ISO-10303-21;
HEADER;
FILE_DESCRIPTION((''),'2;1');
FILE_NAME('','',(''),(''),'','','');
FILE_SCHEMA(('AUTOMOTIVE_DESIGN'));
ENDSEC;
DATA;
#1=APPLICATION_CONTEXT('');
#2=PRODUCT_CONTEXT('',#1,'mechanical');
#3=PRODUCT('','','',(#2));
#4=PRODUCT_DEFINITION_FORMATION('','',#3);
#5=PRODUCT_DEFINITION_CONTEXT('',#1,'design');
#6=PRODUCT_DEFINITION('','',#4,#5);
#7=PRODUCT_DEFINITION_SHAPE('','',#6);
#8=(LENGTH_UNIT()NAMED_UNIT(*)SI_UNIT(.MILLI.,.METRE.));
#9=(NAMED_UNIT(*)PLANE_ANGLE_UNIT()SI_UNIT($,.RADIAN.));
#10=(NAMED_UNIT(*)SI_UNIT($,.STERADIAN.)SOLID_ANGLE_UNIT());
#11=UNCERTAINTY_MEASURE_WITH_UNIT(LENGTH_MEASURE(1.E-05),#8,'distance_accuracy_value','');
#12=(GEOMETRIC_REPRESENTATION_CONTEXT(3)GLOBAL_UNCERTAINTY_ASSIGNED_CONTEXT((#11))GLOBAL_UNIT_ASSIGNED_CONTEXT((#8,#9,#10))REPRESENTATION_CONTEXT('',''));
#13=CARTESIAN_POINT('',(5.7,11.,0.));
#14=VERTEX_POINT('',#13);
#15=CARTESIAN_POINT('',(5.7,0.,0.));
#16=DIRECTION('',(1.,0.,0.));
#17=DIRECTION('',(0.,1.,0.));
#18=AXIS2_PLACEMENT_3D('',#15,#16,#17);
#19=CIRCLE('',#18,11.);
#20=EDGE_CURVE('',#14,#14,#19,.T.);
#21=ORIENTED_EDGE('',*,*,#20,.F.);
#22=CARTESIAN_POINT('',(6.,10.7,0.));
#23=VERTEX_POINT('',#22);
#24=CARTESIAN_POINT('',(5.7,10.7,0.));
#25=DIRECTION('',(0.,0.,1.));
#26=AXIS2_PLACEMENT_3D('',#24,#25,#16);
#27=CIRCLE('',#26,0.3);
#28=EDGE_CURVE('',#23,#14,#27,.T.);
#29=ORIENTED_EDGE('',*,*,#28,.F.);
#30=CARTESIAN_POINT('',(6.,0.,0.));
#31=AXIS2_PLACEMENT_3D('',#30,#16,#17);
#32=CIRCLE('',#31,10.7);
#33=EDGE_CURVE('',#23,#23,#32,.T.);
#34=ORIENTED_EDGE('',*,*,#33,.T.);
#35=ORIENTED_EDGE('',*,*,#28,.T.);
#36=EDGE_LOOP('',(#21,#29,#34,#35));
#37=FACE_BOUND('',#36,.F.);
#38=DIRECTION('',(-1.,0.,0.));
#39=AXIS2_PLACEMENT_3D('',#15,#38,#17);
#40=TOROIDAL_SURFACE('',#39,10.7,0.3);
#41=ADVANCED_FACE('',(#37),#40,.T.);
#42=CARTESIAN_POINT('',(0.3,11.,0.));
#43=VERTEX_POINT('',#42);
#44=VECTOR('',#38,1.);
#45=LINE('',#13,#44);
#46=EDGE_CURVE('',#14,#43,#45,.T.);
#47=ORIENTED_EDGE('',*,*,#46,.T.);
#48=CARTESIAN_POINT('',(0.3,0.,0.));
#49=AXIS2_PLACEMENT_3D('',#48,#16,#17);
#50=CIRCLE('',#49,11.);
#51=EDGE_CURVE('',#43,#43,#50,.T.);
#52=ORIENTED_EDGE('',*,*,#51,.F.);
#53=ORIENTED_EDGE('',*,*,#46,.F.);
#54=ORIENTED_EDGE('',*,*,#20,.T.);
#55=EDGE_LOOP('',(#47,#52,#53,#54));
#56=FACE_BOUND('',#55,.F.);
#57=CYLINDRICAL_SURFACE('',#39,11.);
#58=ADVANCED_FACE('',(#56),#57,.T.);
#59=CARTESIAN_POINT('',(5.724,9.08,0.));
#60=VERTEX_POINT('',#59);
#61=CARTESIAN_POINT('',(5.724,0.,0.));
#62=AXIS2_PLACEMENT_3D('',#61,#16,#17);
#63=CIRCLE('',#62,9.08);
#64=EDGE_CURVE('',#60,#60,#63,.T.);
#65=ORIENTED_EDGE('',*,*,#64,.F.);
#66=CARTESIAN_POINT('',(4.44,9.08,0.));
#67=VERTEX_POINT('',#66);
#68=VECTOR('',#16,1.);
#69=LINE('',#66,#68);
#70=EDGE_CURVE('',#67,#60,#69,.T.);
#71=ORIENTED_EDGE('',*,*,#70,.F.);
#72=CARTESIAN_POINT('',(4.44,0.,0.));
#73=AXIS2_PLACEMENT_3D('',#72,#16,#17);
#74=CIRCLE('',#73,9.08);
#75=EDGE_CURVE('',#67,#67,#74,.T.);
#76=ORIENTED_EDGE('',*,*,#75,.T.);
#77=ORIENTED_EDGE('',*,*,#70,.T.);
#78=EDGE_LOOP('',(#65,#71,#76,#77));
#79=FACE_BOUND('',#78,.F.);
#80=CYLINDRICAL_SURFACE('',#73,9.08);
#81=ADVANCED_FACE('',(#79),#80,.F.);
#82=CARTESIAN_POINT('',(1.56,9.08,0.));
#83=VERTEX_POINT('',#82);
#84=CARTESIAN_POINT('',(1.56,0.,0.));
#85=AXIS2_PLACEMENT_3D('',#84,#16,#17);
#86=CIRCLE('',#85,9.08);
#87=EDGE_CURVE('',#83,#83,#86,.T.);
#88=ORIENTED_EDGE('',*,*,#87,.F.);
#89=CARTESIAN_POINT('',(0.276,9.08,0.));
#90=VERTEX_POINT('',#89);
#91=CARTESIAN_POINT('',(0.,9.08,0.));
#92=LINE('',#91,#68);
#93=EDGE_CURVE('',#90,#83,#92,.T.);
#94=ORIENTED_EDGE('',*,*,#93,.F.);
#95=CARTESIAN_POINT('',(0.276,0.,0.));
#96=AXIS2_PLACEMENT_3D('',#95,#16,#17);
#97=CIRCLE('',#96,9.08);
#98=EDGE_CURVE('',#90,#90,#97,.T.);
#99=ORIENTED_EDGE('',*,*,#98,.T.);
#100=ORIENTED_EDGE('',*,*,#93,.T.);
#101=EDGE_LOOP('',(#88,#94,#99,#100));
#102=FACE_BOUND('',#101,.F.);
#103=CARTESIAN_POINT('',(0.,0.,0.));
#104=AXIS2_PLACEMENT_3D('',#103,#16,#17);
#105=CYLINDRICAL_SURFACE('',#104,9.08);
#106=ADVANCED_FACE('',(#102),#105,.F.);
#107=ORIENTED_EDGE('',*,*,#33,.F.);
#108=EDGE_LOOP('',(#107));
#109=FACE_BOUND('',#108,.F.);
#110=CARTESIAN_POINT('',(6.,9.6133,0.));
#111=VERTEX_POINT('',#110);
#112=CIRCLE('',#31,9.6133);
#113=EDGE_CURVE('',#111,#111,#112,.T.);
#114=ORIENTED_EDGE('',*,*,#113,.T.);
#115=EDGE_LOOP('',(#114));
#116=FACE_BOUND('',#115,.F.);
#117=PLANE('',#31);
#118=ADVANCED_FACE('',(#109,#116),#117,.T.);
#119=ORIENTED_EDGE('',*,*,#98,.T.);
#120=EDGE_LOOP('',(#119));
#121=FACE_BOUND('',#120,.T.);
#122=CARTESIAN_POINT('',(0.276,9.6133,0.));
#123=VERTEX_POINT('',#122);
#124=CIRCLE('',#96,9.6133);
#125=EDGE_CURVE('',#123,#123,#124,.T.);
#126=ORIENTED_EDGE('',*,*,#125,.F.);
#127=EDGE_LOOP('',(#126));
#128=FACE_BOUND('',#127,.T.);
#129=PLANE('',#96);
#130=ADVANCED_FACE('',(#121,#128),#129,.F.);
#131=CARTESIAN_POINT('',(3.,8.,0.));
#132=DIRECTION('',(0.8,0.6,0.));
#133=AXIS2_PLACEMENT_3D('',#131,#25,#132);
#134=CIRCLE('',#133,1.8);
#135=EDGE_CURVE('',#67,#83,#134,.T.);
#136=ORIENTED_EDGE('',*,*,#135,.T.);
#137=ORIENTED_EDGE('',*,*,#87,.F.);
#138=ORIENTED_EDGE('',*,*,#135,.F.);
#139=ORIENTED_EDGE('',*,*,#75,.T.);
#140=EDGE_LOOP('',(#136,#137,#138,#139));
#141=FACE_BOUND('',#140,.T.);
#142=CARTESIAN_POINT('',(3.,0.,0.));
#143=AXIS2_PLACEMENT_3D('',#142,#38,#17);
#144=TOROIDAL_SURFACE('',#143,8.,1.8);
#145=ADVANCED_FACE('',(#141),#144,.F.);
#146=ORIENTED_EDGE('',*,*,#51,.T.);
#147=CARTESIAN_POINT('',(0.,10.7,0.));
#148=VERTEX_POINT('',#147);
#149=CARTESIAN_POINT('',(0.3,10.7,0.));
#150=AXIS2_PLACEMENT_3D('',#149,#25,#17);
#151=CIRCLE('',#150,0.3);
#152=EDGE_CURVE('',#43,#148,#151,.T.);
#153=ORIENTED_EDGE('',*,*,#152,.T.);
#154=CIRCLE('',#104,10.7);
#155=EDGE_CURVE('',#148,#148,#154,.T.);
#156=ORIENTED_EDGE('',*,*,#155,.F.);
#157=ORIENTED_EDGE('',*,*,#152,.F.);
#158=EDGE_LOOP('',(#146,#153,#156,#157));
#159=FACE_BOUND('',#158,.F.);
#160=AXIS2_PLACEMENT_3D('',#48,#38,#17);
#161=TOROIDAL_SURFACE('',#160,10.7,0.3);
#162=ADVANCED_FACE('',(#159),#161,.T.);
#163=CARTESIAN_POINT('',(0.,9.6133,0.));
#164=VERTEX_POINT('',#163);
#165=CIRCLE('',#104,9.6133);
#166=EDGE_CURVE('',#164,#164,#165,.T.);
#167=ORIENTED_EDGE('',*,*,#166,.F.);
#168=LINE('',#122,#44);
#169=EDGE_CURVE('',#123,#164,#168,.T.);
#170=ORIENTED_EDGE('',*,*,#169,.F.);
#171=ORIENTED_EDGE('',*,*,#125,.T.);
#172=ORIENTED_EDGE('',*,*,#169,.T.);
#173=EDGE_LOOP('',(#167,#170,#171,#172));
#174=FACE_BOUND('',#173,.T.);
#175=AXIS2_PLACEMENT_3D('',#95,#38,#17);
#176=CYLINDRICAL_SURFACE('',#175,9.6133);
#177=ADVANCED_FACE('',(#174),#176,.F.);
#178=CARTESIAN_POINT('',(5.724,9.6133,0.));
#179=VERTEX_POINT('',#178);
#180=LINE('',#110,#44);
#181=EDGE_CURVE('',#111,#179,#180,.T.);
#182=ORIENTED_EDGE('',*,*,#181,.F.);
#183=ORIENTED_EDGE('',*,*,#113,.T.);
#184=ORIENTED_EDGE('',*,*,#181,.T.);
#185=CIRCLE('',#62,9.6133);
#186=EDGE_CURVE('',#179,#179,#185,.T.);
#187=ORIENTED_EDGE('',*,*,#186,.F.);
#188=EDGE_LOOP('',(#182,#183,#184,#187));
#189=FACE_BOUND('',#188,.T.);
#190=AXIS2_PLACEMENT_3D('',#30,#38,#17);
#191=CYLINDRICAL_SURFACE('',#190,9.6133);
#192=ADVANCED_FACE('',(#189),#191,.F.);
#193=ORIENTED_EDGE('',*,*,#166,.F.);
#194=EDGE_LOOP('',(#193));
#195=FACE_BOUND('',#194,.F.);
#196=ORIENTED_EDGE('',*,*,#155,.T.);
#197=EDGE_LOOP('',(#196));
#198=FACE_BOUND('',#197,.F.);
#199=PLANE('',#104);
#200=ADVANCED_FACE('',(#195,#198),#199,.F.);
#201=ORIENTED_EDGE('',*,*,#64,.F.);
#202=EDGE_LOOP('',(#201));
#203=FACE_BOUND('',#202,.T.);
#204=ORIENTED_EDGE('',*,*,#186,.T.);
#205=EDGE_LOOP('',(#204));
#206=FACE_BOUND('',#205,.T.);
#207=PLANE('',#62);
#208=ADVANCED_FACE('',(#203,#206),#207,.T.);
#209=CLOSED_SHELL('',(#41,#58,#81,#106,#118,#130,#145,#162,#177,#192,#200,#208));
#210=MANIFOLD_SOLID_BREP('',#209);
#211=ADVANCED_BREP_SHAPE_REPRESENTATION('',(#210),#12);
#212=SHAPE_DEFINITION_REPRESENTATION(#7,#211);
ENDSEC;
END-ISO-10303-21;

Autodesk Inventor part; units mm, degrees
sketch "Sketch_1" plane through (0, 0, 0) normal (0, 0, 1) x (1, 0, 0)
  line L0 (6, 0) -> (0, 0)
  line L1 (0, 9.08) -> (1.56, 9.08)
  arc A0 (4.44, 9.08) -> (1.56, 9.08) centre (3, 8) ccw
  line L2 (4.44, 9.08) -> (6, 9.08)
  line L3 (6, 9.08) -> (6, 10.7)
  arc A1 (6, 10.7) -> (5.7, 11) centre (5.7, 10.7) ccw
  line L4 (5.7, 11) -> (0.3, 11)
  arc A2 (0.3, 11) -> (0, 10.7) centre (0.3, 10.7) ccw
  line L5 (0, 10.7) -> (0, 9.08)
revolve "Revolution1" add sketch "Sketch_1" angle 360 about axis through (6, 0, 0) along (1, 0, 0)
sketch "Sketch_4" plane through (0, 0, 0) normal (0, 0, 1) x (1, 0, 0)
  line L0 (6, 0) -> (0, 0)
  line L1 (0, 9.6133) -> (0, 8)
  line L2 (0, 8) -> (6, 8)
  line L3 (6, 8) -> (6, 9.6133)
  line L4 (6, 9.6133) -> (5.724, 9.6133)
  line L5 (5.724, 9.6133) -> (5.724, 8.9)
  line L6 (5.724, 8.9) -> (0.276, 8.9)
  line L7 (0.276, 8.9) -> (0.276, 9.6133)
  line L8 (0.276, 9.6133) -> (0, 9.6133)
revolve "Revolution2" cut sketch "Sketch_4" angle 360 about axis through (6, 0, 0) along (1, 0, 0)
ref_plane "dgbb_or_XY" through (0, 0, 0) normal (1, 0, 0) x (0, 0, -1)
ref_plane "dgbb_or_YZ" through (0, 0, 0) normal (0, 0, -1) x (0, 1, 0)
ref_plane "dgbb_or_ZX" through (0, 0, 0) normal (0, 1, 0) x (1, 0, 0)
ref_plane "dgbb_or1_XY" through (6, 0, 0) normal (1, 0, 0) x (0, 0, -1)
ref_plane "dgbb_or1_YZ" through (6, 0, 0) normal (0, 0, -1) x (0, 1, 0)
ref_plane "dgbb_or1_ZX" through (6, 0, 0) normal (0, 1, 0) x (1, 0, 0)
ref_plane "dgbb_or11_1_XY" through (3, 8, 0) normal (1, 0, 0) x (0, 0, -1)
ref_plane "dgbb_or11_1_YZ" through (3, 8, 0) normal (0, 0, -1) x (0, 1, 0)
ref_plane "dgbb_or11_1_ZX" through (3, 8, 0) normal (0, 1, 0) x (1, 0, 0)
ref_plane "dgbb_or11_2_XY" through (3, 5.6569, 5.6569) normal (1, 0, 0) x (0, 0, -1)
ref_plane "dgbb_or11_2_YZ" through (3, 5.6569, 5.6569) normal (0, 0, -1) x (0, 1, 0)
ref_plane "dgbb_or11_2_ZX" through (3, 5.6569, 5.6569) normal (0, 1, 0) x (1, 0, 0)
ref_plane "dgbb_or11_3_XY" through (3, 0, 8) normal (1, 0, 0) x (0, 0, -1)
ref_plane "dgbb_or11_3_YZ" through (3, 0, 8) normal (0, 0, -1) x (0, 1, 0)
ref_plane "dgbb_or11_3_ZX" through (3, 0, 8) normal (0, 1, 0) x (1, 0, 0)
ref_plane "dgbb_or11_4_XY" through (3, -5.6569, 5.6569) normal (1, 0, 0) x (0, 0, -1)
ref_plane "dgbb_or11_4_YZ" through (3, -5.6569, 5.6569) normal (0, 0, -1) x (0, 1, 0)
ref_plane "dgbb_or11_4_ZX" through (3, -5.6569, 5.6569) normal (0, 1, 0) x (1, 0, 0)
ref_plane "dgbb_or11_5_XY" through (3, -8, 0) normal (1, 0, 0) x (0, 0, -1)
ref_plane "dgbb_or11_5_YZ" through (3, -8, 0) normal (0, 0, -1) x (0, 1, 0)
ref_plane "dgbb_or11_5_ZX" through (3, -8, 0) normal (0, 1, 0) x (1, 0, 0)
ref_plane "dgbb_or11_6_XY" through (3, -5.6569, -5.6569) normal (1, 0, 0) x (0, 0, -1)
ref_plane "dgbb_or11_6_YZ" through (3, -5.6569, -5.6569) normal (0, 0, -1) x (0, 1, 0)
ref_plane "dgbb_or11_6_ZX" through (3, -5.6569, -5.6569) normal (0, 1, 0) x (1, 0, 0)
ref_plane "dgbb_or11_7_XY" through (3, 0, -8) normal (1, 0, 0) x (0, 0, -1)
ref_plane "dgbb_or11_7_YZ" through (3, 0, -8) normal (0, 0, -1) x (0, 1, 0)
ref_plane "dgbb_or11_7_ZX" through (3, 0, -8) normal (0, 1, 0) x (1, 0, 0)
ref_plane "dgbb_or11_8_XY" through (3, 5.6569, -5.6569) normal (1, 0, 0) x (0, 0, -1)
ref_plane "dgbb_or11_8_YZ" through (3, 5.6569, -5.6569) normal (0, 0, -1) x (0, 1, 0)
ref_plane "dgbb_or11_8_ZX" through (3, 5.6569, -5.6569) normal (0, 1, 0) x (1, 0, 0)
properties part number "6900ZZ Outer Ring" material "鉄、鋳鉄"
